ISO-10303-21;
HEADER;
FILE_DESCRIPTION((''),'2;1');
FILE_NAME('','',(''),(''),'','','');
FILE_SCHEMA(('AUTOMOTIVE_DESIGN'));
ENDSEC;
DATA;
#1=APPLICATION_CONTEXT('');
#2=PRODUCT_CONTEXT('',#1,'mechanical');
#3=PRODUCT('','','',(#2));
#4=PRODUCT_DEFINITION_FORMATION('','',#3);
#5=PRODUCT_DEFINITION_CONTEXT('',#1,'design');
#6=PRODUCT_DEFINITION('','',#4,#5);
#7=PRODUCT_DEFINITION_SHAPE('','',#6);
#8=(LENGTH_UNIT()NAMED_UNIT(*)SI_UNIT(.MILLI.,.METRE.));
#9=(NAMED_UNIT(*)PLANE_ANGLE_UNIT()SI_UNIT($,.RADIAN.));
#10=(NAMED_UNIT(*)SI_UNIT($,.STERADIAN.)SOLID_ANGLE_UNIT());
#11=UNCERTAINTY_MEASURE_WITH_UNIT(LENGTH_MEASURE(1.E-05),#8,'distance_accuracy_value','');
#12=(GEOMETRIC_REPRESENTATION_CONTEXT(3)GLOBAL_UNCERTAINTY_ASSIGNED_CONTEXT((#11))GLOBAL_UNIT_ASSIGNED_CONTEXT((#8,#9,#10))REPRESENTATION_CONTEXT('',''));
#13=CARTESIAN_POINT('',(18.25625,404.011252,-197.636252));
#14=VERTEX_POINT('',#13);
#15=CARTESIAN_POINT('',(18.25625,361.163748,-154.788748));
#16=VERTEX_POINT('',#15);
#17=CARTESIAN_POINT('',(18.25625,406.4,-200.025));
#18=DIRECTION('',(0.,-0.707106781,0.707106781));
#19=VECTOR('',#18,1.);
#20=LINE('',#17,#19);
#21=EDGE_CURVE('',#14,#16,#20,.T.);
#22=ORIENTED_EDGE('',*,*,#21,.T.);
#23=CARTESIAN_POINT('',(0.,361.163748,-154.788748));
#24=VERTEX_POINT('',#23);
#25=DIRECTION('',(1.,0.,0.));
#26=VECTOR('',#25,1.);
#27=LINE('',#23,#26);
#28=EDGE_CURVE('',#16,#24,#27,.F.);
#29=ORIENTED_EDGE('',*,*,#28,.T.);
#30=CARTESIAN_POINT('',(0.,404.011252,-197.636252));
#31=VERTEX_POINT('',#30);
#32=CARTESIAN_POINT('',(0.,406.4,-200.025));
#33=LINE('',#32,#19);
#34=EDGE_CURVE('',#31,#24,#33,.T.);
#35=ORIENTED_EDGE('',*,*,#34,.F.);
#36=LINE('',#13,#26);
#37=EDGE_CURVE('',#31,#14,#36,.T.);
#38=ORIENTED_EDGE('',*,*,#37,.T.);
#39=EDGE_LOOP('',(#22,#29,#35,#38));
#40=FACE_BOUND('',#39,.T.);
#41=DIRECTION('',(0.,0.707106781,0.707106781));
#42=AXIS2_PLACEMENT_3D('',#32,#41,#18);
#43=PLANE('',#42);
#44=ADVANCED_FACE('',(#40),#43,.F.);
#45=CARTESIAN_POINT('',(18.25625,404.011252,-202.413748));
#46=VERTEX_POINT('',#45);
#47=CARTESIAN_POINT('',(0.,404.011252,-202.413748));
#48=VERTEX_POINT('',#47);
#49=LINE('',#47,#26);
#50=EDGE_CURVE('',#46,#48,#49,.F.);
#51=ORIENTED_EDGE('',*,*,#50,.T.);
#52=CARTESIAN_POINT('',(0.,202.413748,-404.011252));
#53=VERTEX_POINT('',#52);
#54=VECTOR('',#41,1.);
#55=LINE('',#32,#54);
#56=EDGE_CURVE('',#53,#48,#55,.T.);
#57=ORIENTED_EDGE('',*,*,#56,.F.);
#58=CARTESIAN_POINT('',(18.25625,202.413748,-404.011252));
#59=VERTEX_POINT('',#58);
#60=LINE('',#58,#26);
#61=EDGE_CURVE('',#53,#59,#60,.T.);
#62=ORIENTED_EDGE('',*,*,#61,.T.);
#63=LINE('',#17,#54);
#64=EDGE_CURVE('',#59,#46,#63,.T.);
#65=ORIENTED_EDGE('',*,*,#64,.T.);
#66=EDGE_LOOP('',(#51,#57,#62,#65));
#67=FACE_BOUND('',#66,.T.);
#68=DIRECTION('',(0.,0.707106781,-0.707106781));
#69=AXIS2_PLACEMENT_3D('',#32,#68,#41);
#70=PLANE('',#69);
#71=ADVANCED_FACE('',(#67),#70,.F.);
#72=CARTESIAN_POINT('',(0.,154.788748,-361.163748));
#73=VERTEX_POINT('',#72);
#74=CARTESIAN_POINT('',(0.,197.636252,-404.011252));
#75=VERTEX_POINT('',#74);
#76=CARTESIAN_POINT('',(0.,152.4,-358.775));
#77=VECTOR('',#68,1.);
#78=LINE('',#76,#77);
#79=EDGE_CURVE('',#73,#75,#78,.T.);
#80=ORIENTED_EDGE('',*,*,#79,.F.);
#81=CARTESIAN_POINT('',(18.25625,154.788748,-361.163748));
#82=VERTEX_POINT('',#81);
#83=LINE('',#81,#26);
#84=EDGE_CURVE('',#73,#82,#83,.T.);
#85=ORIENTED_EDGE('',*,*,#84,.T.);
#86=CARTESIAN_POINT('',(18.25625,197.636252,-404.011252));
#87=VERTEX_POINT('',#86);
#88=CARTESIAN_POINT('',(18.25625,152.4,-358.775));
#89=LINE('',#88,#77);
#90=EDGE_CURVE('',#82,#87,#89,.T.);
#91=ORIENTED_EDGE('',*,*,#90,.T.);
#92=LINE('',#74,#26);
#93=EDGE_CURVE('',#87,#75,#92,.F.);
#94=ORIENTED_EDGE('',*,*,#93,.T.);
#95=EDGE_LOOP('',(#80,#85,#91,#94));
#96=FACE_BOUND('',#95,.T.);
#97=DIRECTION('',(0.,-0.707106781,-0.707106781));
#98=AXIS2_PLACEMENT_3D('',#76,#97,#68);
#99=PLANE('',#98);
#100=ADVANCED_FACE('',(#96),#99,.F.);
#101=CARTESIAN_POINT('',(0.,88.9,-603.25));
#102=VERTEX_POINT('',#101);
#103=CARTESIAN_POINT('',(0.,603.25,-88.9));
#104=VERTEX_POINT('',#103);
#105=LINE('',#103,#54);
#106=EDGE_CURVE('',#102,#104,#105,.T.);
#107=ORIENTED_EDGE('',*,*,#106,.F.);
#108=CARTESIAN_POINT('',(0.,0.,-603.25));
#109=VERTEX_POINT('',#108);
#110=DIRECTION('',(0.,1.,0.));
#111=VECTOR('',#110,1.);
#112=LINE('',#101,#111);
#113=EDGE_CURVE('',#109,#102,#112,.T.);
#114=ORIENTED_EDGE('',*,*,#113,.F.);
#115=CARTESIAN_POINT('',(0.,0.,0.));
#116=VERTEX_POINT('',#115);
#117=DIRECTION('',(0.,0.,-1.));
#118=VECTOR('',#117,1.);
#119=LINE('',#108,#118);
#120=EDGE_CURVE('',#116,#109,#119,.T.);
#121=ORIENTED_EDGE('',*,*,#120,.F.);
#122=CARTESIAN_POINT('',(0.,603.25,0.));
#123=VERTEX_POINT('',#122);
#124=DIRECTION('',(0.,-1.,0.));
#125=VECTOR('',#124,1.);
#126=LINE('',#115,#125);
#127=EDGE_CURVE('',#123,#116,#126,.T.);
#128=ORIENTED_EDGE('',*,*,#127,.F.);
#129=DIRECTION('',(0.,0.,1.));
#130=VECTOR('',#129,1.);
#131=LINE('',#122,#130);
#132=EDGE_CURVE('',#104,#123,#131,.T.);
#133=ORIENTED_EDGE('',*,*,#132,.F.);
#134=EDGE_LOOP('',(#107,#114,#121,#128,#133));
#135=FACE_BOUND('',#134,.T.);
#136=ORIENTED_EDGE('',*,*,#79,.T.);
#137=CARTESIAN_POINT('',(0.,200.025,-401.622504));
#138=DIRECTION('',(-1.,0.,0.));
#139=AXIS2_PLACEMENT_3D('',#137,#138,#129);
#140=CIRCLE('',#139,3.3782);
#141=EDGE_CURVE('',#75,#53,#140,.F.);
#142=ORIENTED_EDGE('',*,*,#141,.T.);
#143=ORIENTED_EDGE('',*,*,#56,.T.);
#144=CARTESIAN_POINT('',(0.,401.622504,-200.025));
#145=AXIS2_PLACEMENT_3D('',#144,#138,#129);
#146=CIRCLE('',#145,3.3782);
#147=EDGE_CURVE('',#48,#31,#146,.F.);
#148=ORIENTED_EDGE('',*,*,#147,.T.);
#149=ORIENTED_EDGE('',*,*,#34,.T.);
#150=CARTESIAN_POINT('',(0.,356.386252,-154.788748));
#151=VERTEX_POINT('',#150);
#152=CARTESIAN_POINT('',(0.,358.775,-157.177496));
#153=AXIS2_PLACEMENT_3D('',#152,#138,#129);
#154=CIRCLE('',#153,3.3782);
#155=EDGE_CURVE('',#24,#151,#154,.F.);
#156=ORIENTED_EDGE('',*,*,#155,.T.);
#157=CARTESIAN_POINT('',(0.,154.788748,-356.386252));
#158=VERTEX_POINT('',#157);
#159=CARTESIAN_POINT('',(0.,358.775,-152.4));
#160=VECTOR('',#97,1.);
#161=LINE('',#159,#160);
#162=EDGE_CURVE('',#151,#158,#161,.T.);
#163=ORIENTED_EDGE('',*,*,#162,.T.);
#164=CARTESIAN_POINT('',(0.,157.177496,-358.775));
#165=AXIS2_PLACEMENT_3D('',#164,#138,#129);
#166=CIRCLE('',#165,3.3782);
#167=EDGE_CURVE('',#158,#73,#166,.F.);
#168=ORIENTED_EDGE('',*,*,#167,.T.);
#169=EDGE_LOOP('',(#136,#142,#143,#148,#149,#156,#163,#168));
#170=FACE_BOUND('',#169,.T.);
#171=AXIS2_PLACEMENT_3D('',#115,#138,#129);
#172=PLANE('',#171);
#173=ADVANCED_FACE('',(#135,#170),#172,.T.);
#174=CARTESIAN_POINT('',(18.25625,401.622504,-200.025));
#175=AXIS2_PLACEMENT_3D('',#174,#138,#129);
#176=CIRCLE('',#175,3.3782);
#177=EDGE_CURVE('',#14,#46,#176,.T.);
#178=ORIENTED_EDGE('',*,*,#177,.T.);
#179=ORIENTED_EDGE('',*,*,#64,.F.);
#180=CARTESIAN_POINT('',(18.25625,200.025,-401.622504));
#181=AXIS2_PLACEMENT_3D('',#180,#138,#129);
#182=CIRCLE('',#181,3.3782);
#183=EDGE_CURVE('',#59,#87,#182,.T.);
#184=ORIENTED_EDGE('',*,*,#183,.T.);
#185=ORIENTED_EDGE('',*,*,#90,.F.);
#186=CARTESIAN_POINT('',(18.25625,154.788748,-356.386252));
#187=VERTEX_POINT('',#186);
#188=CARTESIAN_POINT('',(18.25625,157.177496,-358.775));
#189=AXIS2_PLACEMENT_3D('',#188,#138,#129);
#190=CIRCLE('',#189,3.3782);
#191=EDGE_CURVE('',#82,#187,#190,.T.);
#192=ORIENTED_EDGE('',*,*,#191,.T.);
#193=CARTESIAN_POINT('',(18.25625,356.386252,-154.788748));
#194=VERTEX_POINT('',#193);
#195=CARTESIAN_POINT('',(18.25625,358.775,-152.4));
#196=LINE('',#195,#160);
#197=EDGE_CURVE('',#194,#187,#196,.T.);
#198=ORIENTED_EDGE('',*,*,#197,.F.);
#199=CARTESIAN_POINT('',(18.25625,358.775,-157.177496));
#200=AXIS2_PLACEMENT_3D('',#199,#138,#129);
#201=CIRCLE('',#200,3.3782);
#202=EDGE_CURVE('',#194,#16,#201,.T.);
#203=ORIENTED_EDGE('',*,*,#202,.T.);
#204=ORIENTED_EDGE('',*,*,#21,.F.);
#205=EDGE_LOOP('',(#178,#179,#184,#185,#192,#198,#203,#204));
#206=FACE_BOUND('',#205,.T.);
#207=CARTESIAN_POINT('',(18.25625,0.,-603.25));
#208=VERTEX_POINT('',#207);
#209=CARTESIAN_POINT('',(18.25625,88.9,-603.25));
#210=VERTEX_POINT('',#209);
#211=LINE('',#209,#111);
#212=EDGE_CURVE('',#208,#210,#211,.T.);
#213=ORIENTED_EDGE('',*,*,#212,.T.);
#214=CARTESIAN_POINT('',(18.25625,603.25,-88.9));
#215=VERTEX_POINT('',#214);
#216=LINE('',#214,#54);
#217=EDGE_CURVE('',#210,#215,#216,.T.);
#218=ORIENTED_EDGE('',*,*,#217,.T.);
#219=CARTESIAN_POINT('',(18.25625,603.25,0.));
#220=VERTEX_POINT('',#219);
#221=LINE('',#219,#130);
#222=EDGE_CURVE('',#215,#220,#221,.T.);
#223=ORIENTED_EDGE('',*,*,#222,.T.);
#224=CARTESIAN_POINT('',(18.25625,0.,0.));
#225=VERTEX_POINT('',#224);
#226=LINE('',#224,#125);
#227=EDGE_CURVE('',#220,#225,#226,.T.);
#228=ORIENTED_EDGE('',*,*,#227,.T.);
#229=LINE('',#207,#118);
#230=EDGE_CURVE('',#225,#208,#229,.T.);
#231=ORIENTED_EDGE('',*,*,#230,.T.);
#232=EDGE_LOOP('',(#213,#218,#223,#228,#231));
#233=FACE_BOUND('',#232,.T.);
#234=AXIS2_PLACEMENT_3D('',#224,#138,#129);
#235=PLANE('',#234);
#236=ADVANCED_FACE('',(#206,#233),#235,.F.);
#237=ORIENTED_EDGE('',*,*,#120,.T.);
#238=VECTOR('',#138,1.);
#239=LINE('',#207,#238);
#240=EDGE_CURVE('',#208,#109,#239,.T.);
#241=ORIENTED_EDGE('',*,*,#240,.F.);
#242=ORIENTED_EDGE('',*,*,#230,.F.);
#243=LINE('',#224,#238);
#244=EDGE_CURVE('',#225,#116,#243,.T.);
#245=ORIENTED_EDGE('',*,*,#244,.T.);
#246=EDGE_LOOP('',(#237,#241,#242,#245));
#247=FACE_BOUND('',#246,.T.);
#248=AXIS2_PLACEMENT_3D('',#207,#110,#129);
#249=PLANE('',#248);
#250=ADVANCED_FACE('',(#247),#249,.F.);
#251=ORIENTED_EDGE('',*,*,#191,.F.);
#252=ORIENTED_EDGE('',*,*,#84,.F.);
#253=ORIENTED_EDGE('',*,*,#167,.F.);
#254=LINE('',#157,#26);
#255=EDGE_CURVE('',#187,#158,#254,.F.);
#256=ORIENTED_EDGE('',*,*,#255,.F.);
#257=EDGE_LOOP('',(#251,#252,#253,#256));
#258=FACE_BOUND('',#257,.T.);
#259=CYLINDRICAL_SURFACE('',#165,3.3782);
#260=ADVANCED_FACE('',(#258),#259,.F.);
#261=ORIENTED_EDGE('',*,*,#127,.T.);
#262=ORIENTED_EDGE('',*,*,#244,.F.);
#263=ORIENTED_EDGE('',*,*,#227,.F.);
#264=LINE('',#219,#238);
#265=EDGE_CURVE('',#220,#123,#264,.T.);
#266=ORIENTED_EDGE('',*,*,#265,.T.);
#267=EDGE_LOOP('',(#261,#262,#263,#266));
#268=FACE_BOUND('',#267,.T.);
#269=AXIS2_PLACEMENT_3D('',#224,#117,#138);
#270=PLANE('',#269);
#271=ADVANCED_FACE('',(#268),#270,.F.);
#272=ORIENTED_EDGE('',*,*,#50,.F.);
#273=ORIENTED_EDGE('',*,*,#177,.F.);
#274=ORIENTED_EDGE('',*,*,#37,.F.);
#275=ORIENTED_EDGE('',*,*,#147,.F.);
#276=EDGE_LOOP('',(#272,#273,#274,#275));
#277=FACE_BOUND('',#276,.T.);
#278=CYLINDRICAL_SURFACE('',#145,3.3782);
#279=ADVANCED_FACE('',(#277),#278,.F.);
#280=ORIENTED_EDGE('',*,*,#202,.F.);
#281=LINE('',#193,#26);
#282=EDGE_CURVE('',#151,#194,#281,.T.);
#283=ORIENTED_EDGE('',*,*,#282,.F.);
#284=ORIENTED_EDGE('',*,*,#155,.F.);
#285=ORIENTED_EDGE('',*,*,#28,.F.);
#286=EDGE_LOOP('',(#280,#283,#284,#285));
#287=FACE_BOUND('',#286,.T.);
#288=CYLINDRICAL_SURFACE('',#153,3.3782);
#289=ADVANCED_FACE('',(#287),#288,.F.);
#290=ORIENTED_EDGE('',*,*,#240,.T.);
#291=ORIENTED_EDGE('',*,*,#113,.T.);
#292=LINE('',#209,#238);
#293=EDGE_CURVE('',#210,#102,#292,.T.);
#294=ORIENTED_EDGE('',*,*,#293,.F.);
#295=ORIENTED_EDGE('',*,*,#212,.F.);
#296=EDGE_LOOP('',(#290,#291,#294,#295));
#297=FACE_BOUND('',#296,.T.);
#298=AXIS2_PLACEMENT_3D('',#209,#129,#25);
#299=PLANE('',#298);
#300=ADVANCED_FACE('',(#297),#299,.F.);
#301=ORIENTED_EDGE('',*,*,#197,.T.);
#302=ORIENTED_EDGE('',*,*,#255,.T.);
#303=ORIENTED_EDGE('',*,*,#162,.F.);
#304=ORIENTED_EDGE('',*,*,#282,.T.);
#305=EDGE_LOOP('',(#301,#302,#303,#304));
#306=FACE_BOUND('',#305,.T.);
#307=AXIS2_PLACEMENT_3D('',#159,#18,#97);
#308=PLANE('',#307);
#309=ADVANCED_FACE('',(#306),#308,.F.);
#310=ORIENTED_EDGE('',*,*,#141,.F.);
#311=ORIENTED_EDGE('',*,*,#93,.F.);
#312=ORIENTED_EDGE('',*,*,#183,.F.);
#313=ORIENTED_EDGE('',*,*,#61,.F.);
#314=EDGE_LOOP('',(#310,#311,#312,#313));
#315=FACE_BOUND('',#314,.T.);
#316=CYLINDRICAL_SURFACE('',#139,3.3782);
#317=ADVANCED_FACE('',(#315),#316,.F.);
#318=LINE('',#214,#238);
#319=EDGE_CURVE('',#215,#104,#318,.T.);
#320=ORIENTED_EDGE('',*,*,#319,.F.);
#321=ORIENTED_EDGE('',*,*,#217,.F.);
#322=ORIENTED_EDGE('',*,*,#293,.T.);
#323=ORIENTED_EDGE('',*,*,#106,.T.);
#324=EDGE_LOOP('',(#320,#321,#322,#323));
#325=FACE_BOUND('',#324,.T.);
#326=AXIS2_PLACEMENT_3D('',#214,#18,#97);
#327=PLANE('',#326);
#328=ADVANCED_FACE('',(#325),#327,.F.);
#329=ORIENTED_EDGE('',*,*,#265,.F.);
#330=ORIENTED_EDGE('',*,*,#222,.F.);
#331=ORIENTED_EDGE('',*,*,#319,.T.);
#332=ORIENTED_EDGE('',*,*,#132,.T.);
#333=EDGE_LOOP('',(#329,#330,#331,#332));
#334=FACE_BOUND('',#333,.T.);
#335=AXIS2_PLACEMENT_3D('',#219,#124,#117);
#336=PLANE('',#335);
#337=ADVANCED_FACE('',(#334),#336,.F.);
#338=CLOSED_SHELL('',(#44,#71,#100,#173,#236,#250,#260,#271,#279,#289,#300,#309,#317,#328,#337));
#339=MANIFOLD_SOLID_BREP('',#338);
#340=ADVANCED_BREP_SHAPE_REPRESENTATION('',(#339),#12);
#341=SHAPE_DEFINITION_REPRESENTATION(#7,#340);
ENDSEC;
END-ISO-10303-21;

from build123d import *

# Parameters (mm, degrees)
BOSS_EXTRUDE1_DEPTH = 18.25625
CUT_EXTRUDE2_DEPTH  = 854.319644485
FILLET2_R           = 3.3782


with BuildPart() as part:
    # Sketch1 → Boss-Extrude1 (new body)
    with BuildSketch(Plane(origin=(0, 0, 0), x_dir=(0, 0, -1), z_dir=(1, 0, 0))):
        Polygon((0, 0), (0, 603.25), (88.9, 603.25), (603.25, 88.9), (603.25, 0), align=None)
    extrude(amount=BOSS_EXTRUDE1_DEPTH)

    # Sketch7 → Cut-Extrude2 (cut, through all)
    with BuildSketch(Plane(origin=(18.25625, 0, 0), x_dir=(0, 0, -1), z_dir=(1, 0, 0))):
        Polygon((200.025, 406.4), (406.4, 200.025), (358.775, 152.4), (152.4, 358.775), align=None)
    extrude(amount=-CUT_EXTRUDE2_DEPTH, mode=Mode.SUBTRACT)

    # Fillet2
    fillet2_edges = [part.edges().sort_by_distance(p)[0] for p in [
        (9.128125, 358.775, -152.4),
        (9.128125, 406.4, -200.025),
        (9.128125, 200.025, -406.4),
        (9.128125, 152.4, -358.775),
    ]]
    fillet(fillet2_edges, radius=FILLET2_R)


solid = part.part
